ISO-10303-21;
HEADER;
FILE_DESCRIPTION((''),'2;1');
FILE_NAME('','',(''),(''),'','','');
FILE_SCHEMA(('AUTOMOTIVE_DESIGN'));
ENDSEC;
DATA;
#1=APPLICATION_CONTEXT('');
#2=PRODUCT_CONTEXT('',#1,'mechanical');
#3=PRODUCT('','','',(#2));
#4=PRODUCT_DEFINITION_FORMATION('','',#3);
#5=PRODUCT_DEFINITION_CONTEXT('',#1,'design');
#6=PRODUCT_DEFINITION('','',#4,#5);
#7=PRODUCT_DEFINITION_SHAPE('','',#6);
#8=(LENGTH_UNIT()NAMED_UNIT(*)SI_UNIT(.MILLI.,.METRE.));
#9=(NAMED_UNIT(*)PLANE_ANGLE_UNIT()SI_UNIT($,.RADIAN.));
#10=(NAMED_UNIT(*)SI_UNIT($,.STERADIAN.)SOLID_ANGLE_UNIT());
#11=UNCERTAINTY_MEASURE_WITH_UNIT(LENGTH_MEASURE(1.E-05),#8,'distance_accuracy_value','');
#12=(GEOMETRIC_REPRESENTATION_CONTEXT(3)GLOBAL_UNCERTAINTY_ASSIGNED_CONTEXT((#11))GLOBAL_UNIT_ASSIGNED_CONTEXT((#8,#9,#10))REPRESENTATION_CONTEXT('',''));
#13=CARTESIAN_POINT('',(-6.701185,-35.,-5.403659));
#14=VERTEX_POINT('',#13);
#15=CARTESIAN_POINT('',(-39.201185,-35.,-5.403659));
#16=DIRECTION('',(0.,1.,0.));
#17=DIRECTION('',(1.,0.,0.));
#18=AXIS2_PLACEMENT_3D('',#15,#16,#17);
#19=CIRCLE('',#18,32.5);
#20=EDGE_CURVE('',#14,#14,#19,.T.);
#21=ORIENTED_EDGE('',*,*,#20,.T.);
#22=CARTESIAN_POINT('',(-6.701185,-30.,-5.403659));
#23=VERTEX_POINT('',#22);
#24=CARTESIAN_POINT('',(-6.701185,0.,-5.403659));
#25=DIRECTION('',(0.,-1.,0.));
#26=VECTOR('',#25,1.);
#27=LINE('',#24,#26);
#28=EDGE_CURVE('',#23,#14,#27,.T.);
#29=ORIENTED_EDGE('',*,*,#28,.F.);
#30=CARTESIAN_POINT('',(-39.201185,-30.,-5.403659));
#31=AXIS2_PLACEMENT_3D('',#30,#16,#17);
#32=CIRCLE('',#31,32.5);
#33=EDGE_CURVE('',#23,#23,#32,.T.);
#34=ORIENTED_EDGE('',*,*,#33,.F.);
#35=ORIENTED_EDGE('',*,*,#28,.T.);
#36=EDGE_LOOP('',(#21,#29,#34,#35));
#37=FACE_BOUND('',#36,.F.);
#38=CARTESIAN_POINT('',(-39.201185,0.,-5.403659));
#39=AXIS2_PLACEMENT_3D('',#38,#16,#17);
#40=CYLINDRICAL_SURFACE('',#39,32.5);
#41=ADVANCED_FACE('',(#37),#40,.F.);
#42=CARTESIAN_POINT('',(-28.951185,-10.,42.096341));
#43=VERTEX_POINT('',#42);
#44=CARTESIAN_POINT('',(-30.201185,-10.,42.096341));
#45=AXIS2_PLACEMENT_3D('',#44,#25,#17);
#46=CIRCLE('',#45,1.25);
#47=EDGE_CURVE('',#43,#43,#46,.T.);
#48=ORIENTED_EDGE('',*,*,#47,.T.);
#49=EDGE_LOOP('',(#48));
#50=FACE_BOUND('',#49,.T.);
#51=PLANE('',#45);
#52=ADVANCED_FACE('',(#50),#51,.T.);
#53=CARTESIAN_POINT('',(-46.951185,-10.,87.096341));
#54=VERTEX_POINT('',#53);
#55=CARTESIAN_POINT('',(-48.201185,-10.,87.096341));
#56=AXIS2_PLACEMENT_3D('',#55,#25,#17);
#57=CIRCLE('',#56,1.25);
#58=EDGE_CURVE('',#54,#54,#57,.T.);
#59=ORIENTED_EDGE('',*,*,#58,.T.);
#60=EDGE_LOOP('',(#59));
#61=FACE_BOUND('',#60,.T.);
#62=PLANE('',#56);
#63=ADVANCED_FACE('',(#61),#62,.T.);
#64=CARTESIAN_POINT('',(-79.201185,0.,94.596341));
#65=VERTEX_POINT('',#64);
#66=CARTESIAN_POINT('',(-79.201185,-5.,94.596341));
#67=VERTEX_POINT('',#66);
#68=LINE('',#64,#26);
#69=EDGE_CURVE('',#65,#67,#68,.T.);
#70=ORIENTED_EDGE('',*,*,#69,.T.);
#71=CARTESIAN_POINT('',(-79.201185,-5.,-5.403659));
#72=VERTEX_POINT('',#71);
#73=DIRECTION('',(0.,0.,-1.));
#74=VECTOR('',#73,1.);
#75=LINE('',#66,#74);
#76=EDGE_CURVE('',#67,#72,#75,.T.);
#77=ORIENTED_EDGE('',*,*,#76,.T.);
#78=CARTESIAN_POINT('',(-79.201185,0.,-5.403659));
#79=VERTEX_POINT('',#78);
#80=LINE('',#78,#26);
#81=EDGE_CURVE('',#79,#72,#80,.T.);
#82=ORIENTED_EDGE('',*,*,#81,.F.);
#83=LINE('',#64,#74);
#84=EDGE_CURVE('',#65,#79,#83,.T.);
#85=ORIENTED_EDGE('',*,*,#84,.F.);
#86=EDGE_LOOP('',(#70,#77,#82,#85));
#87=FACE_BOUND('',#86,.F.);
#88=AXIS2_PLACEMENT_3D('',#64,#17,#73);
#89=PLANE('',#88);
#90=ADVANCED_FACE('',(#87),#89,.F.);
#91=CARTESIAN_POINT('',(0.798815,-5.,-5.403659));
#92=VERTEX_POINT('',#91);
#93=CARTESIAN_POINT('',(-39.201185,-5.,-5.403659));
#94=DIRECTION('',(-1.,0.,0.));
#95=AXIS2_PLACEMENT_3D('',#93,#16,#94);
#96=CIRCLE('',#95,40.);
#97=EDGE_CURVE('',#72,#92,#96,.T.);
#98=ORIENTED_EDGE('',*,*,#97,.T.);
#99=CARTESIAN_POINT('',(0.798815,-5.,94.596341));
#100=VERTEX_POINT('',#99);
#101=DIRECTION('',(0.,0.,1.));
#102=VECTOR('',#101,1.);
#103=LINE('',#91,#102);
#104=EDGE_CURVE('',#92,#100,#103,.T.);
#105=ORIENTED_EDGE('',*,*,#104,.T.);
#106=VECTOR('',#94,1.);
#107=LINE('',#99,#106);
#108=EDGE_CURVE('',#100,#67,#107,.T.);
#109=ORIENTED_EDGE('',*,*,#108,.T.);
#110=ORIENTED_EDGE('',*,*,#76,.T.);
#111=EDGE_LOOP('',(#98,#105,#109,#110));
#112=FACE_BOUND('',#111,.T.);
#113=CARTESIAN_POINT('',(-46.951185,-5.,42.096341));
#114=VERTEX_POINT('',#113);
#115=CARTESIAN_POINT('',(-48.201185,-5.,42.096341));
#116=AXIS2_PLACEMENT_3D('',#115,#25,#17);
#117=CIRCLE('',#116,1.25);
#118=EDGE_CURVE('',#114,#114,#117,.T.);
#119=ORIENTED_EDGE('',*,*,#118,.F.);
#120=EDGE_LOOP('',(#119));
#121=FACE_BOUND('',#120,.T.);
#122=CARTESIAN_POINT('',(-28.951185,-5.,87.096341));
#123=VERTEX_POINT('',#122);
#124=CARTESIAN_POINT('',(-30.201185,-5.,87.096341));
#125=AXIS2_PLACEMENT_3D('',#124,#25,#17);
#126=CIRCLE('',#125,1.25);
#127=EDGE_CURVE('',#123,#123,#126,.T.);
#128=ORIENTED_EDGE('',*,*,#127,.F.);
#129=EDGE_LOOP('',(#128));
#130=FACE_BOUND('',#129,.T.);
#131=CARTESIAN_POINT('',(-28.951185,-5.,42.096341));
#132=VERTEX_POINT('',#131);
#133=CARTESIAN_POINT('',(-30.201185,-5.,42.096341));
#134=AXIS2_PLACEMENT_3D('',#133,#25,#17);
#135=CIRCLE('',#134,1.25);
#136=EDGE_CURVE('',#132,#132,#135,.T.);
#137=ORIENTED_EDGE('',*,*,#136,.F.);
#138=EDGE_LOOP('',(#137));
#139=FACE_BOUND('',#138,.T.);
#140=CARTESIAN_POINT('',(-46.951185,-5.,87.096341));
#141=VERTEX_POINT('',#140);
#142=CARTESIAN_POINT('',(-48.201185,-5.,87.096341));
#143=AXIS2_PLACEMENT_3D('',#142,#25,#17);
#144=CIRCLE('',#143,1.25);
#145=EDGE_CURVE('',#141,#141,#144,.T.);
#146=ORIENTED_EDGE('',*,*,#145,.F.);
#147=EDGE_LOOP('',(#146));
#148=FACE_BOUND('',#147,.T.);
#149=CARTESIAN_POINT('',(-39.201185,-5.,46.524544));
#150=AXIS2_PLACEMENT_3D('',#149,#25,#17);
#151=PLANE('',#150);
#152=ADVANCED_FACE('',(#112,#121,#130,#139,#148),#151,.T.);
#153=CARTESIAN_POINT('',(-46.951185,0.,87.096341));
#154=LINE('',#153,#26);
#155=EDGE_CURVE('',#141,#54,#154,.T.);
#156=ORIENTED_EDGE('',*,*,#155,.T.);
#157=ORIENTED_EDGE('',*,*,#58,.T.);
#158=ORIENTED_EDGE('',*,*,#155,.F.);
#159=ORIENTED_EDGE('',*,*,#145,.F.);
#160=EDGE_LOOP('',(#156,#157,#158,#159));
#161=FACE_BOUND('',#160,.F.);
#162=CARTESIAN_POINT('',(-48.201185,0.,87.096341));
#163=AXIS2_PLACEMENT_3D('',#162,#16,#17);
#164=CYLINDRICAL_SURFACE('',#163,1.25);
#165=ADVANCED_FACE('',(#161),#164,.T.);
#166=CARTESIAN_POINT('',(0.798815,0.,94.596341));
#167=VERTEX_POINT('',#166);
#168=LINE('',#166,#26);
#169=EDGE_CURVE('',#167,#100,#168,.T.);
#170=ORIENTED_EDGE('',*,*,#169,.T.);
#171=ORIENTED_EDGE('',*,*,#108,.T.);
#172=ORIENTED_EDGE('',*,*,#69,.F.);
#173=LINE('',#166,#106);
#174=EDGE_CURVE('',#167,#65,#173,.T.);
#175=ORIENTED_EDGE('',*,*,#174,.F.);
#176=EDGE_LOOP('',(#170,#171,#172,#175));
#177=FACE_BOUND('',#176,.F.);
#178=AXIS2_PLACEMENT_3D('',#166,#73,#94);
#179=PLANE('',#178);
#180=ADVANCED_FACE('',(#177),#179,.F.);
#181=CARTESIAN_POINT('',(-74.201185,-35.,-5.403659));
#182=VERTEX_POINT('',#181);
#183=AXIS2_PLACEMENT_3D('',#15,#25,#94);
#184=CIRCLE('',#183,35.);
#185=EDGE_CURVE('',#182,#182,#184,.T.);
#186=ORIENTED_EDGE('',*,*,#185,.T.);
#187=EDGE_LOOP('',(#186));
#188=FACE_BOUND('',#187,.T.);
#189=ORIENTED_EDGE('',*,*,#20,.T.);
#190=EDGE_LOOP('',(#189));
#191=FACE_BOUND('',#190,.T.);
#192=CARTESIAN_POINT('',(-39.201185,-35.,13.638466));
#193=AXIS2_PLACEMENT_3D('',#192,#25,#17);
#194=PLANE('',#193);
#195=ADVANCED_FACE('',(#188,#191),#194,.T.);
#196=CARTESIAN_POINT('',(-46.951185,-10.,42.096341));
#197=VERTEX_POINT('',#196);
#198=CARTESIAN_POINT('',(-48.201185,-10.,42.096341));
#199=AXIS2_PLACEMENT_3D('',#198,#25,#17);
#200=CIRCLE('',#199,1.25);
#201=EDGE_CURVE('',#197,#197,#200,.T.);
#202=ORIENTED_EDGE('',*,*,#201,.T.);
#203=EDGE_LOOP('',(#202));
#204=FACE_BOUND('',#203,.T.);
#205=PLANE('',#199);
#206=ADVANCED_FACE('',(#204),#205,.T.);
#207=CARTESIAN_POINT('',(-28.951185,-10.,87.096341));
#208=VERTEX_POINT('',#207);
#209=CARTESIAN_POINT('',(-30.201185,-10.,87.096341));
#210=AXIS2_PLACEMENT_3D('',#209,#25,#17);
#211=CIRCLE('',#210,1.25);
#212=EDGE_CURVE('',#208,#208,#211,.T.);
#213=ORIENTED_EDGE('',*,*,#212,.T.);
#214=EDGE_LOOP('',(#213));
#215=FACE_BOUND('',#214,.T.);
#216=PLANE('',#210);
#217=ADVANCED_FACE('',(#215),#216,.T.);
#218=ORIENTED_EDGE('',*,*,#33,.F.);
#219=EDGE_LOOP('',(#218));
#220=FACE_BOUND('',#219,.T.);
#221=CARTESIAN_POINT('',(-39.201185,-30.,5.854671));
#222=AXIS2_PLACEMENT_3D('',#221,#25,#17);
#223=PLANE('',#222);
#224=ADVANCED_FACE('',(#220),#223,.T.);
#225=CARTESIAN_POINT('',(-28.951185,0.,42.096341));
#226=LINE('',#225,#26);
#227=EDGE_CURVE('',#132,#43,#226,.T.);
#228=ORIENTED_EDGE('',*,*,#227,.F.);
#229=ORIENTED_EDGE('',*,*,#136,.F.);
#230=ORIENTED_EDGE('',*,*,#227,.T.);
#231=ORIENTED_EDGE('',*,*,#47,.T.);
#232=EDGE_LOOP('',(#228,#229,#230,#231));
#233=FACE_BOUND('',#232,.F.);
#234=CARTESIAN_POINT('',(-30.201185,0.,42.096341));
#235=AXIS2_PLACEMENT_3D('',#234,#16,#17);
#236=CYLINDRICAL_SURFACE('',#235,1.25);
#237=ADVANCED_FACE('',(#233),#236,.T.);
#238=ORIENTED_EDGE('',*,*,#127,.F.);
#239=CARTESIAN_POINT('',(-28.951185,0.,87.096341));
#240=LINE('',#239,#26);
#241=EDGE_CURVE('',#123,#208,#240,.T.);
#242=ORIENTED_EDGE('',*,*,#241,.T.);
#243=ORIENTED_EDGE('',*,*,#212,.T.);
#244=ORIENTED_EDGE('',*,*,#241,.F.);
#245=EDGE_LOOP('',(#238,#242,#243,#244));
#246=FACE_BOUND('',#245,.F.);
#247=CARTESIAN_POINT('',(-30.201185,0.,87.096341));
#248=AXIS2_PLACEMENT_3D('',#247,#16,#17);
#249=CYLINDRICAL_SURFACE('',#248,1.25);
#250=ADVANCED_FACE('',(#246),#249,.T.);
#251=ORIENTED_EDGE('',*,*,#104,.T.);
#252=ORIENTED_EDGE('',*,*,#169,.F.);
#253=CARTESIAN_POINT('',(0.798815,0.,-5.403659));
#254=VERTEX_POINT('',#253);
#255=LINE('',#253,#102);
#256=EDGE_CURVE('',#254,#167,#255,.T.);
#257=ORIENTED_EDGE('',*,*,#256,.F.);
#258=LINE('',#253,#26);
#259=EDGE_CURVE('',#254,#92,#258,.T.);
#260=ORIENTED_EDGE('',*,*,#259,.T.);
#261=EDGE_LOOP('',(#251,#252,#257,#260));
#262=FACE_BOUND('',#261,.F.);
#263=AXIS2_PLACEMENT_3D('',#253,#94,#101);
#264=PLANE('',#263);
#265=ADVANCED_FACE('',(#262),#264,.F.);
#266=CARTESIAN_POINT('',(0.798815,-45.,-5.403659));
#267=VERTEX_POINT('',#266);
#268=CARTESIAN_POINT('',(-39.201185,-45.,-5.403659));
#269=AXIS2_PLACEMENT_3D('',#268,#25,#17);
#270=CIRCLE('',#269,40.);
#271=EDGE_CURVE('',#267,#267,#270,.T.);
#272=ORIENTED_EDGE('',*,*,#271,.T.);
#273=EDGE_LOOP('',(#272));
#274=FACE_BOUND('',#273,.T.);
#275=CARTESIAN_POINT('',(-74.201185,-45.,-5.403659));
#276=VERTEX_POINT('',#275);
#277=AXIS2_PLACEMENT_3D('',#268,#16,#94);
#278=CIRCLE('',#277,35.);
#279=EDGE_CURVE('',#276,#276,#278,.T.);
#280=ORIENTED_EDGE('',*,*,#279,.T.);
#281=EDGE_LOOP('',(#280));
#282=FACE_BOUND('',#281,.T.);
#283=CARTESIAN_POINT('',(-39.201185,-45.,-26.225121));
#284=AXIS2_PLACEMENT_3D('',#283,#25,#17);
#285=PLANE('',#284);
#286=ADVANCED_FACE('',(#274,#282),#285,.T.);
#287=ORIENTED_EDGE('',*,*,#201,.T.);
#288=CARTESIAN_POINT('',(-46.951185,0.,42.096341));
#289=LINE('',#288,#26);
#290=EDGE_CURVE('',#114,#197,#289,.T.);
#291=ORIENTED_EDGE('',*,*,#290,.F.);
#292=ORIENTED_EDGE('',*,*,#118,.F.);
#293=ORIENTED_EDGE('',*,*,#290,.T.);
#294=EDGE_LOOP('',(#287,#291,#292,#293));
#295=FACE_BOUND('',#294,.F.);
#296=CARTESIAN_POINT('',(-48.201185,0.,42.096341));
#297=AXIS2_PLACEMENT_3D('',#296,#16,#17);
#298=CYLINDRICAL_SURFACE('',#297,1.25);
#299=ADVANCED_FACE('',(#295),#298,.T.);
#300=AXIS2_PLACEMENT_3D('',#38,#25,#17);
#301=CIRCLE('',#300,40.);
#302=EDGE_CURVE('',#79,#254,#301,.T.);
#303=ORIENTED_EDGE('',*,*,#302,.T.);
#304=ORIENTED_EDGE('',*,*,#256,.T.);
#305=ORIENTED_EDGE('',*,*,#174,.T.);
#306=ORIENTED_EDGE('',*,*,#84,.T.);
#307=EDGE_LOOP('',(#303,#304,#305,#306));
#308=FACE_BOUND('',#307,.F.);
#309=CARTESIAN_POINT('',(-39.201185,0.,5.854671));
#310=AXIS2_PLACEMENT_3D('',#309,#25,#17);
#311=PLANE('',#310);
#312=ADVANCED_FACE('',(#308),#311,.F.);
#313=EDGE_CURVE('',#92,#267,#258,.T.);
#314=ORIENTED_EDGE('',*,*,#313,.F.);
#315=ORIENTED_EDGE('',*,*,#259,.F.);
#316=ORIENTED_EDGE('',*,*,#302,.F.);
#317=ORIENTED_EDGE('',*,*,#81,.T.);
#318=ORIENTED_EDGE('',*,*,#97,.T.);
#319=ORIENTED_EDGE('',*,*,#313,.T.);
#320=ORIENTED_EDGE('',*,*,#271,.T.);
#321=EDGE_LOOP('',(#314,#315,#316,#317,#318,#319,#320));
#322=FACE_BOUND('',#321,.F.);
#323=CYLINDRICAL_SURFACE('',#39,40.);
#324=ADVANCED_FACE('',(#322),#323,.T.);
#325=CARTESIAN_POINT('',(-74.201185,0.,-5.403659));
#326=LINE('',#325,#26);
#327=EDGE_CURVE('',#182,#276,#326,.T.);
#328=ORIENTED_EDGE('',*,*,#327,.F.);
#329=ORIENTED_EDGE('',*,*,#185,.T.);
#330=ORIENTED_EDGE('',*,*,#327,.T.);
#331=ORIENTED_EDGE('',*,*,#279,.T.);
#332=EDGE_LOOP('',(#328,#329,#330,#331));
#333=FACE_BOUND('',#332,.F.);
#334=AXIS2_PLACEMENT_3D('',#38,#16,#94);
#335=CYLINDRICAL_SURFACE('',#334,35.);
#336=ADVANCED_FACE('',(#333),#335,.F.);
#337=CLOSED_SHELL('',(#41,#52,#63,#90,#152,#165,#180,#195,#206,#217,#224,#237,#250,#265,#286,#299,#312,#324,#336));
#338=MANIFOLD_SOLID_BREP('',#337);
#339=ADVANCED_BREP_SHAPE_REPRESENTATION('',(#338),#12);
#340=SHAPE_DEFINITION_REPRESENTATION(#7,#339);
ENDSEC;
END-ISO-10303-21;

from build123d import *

# Parameters (mm, degrees)
F0_R     = 1.25
F1_DEPTH = 5
F2_DEPTH = 45
F3_DEPTH = 35
F4_DEPTH = 30
F5_DEPTH = 10


with BuildPart() as f1:
    # F0 (on Front) → F1 (new body)
    with BuildSketch(Plane.XZ):
        with BuildLine():
            Line((0.7988151149, 94.5963411382), (-79.2011848851, 94.5963411382))
            Line((-79.2011848851, 94.5963411382), (-79.2011848851, -5.4036588618))
            ThreePointArc((-79.2011848851, -5.4036588618), (-39.2011848851, 34.5963411382), (0.7988151149, -5.4036588618))
            Line((0.7988151149, -5.4036588618), (0.7988151149, 94.5963411382))
        make_face()
        with Locations((-48.2011848851, 42.0963411382)):
            Circle(F0_R, mode=Mode.SUBTRACT)
        with Locations((-48.2011848851, 87.0963411382)):
            Circle(F0_R, mode=Mode.SUBTRACT)
        with Locations((-30.2011848851, 42.0963411382)):
            Circle(F0_R, mode=Mode.SUBTRACT)
        with Locations((-30.2011848851, 87.0963411382)):
            Circle(F0_R, mode=Mode.SUBTRACT)
    extrude(amount=F1_DEPTH)

    # F0 (on Front) → F2 (join)
    with BuildSketch(Plane.XZ):
        with BuildLine():
            Line((-74.2011848851, -5.4036588618), (-79.2011848851, -5.4036588618))
            ThreePointArc((-79.2011848851, -5.4036588618), (-39.2011848851, -45.4036588618), (0.7988151149, -5.4036588618))
            Line((0.7988151149, -5.4036588618), (-4.2011848851, -5.4036588618))
            ThreePointArc((-4.2011848851, -5.4036588618), (-39.2011848851, -40.4036588618), (-74.2011848851, -5.4036588618))
        make_face()
        with BuildLine():
            ThreePointArc((0.7988151149, -5.4036588618), (-39.2011848851, 34.5963411382), (-79.2011848851, -5.4036588618))
            Line((-79.2011848851, -5.4036588618), (-74.2011848851, -5.4036588618))
            ThreePointArc((-74.2011848851, -5.4036588618), (-39.2011848851, 29.5963411382), (-4.2011848851, -5.4036588618))
            Line((-4.2011848851, -5.4036588618), (0.7988151149, -5.4036588618))
        make_face()
    extrude(amount=F2_DEPTH)

    # F0 (on Front) → F3 (join)
    with BuildSketch(Plane.XZ):
        with BuildLine():
            ThreePointArc((-4.2011848851, -5.4036588618), (-39.2011848851, 29.5963411382), (-74.2011848851, -5.4036588618))
            Line((-74.2011848851, -5.4036588618), (-71.7011848851, -5.4036588618))
            ThreePointArc((-71.7011848851, -5.4036588618), (-39.2011848851, 27.0963411382), (-6.7011848851, -5.4036588618))
            Line((-6.7011848851, -5.4036588618), (-4.2011848851, -5.4036588618))
        make_face()
        with BuildLine():
            Line((-71.7011848851, -5.4036588618), (-74.2011848851, -5.4036588618))
            ThreePointArc((-74.2011848851, -5.4036588618), (-39.2011848851, -40.4036588618), (-4.2011848851, -5.4036588618))
            Line((-4.2011848851, -5.4036588618), (-6.7011848851, -5.4036588618))
            ThreePointArc((-6.7011848851, -5.4036588618), (-39.2011848851, -37.9036588618), (-71.7011848851, -5.4036588618))
        make_face()
    extrude(amount=F3_DEPTH)

    # F0 (on Front) → F4 (join)
    with BuildSketch(Plane.XZ):
        with BuildLine():
            ThreePointArc((-6.7011848851, -5.4036588618), (-39.2011848851, 27.0963411382), (-71.7011848851, -5.4036588618))
            Line((-71.7011848851, -5.4036588618), (-6.7011848851, -5.4036588618))
        make_face()
        with BuildLine():
            Line((-6.7011848851, -5.4036588618), (-71.7011848851, -5.4036588618))
            ThreePointArc((-71.7011848851, -5.4036588618), (-39.2011848851, -37.9036588618), (-6.7011848851, -5.4036588618))
        make_face()
    extrude(amount=F4_DEPTH)

    # F0 (on Front) → F5 (join)
    with BuildSketch(Plane.XZ):
        with Locations((-30.2011848851, 42.0963411382)):
            Circle(F0_R)
        with Locations((-48.2011848851, 42.0963411382)):
            Circle(F0_R)
        with Locations((-48.2011848851, 87.0963411382)):
            Circle(F0_R)
        with Locations((-30.2011848851, 87.0963411382)):
            Circle(F0_R)
    extrude(amount=F5_DEPTH)


solid = f1.part
